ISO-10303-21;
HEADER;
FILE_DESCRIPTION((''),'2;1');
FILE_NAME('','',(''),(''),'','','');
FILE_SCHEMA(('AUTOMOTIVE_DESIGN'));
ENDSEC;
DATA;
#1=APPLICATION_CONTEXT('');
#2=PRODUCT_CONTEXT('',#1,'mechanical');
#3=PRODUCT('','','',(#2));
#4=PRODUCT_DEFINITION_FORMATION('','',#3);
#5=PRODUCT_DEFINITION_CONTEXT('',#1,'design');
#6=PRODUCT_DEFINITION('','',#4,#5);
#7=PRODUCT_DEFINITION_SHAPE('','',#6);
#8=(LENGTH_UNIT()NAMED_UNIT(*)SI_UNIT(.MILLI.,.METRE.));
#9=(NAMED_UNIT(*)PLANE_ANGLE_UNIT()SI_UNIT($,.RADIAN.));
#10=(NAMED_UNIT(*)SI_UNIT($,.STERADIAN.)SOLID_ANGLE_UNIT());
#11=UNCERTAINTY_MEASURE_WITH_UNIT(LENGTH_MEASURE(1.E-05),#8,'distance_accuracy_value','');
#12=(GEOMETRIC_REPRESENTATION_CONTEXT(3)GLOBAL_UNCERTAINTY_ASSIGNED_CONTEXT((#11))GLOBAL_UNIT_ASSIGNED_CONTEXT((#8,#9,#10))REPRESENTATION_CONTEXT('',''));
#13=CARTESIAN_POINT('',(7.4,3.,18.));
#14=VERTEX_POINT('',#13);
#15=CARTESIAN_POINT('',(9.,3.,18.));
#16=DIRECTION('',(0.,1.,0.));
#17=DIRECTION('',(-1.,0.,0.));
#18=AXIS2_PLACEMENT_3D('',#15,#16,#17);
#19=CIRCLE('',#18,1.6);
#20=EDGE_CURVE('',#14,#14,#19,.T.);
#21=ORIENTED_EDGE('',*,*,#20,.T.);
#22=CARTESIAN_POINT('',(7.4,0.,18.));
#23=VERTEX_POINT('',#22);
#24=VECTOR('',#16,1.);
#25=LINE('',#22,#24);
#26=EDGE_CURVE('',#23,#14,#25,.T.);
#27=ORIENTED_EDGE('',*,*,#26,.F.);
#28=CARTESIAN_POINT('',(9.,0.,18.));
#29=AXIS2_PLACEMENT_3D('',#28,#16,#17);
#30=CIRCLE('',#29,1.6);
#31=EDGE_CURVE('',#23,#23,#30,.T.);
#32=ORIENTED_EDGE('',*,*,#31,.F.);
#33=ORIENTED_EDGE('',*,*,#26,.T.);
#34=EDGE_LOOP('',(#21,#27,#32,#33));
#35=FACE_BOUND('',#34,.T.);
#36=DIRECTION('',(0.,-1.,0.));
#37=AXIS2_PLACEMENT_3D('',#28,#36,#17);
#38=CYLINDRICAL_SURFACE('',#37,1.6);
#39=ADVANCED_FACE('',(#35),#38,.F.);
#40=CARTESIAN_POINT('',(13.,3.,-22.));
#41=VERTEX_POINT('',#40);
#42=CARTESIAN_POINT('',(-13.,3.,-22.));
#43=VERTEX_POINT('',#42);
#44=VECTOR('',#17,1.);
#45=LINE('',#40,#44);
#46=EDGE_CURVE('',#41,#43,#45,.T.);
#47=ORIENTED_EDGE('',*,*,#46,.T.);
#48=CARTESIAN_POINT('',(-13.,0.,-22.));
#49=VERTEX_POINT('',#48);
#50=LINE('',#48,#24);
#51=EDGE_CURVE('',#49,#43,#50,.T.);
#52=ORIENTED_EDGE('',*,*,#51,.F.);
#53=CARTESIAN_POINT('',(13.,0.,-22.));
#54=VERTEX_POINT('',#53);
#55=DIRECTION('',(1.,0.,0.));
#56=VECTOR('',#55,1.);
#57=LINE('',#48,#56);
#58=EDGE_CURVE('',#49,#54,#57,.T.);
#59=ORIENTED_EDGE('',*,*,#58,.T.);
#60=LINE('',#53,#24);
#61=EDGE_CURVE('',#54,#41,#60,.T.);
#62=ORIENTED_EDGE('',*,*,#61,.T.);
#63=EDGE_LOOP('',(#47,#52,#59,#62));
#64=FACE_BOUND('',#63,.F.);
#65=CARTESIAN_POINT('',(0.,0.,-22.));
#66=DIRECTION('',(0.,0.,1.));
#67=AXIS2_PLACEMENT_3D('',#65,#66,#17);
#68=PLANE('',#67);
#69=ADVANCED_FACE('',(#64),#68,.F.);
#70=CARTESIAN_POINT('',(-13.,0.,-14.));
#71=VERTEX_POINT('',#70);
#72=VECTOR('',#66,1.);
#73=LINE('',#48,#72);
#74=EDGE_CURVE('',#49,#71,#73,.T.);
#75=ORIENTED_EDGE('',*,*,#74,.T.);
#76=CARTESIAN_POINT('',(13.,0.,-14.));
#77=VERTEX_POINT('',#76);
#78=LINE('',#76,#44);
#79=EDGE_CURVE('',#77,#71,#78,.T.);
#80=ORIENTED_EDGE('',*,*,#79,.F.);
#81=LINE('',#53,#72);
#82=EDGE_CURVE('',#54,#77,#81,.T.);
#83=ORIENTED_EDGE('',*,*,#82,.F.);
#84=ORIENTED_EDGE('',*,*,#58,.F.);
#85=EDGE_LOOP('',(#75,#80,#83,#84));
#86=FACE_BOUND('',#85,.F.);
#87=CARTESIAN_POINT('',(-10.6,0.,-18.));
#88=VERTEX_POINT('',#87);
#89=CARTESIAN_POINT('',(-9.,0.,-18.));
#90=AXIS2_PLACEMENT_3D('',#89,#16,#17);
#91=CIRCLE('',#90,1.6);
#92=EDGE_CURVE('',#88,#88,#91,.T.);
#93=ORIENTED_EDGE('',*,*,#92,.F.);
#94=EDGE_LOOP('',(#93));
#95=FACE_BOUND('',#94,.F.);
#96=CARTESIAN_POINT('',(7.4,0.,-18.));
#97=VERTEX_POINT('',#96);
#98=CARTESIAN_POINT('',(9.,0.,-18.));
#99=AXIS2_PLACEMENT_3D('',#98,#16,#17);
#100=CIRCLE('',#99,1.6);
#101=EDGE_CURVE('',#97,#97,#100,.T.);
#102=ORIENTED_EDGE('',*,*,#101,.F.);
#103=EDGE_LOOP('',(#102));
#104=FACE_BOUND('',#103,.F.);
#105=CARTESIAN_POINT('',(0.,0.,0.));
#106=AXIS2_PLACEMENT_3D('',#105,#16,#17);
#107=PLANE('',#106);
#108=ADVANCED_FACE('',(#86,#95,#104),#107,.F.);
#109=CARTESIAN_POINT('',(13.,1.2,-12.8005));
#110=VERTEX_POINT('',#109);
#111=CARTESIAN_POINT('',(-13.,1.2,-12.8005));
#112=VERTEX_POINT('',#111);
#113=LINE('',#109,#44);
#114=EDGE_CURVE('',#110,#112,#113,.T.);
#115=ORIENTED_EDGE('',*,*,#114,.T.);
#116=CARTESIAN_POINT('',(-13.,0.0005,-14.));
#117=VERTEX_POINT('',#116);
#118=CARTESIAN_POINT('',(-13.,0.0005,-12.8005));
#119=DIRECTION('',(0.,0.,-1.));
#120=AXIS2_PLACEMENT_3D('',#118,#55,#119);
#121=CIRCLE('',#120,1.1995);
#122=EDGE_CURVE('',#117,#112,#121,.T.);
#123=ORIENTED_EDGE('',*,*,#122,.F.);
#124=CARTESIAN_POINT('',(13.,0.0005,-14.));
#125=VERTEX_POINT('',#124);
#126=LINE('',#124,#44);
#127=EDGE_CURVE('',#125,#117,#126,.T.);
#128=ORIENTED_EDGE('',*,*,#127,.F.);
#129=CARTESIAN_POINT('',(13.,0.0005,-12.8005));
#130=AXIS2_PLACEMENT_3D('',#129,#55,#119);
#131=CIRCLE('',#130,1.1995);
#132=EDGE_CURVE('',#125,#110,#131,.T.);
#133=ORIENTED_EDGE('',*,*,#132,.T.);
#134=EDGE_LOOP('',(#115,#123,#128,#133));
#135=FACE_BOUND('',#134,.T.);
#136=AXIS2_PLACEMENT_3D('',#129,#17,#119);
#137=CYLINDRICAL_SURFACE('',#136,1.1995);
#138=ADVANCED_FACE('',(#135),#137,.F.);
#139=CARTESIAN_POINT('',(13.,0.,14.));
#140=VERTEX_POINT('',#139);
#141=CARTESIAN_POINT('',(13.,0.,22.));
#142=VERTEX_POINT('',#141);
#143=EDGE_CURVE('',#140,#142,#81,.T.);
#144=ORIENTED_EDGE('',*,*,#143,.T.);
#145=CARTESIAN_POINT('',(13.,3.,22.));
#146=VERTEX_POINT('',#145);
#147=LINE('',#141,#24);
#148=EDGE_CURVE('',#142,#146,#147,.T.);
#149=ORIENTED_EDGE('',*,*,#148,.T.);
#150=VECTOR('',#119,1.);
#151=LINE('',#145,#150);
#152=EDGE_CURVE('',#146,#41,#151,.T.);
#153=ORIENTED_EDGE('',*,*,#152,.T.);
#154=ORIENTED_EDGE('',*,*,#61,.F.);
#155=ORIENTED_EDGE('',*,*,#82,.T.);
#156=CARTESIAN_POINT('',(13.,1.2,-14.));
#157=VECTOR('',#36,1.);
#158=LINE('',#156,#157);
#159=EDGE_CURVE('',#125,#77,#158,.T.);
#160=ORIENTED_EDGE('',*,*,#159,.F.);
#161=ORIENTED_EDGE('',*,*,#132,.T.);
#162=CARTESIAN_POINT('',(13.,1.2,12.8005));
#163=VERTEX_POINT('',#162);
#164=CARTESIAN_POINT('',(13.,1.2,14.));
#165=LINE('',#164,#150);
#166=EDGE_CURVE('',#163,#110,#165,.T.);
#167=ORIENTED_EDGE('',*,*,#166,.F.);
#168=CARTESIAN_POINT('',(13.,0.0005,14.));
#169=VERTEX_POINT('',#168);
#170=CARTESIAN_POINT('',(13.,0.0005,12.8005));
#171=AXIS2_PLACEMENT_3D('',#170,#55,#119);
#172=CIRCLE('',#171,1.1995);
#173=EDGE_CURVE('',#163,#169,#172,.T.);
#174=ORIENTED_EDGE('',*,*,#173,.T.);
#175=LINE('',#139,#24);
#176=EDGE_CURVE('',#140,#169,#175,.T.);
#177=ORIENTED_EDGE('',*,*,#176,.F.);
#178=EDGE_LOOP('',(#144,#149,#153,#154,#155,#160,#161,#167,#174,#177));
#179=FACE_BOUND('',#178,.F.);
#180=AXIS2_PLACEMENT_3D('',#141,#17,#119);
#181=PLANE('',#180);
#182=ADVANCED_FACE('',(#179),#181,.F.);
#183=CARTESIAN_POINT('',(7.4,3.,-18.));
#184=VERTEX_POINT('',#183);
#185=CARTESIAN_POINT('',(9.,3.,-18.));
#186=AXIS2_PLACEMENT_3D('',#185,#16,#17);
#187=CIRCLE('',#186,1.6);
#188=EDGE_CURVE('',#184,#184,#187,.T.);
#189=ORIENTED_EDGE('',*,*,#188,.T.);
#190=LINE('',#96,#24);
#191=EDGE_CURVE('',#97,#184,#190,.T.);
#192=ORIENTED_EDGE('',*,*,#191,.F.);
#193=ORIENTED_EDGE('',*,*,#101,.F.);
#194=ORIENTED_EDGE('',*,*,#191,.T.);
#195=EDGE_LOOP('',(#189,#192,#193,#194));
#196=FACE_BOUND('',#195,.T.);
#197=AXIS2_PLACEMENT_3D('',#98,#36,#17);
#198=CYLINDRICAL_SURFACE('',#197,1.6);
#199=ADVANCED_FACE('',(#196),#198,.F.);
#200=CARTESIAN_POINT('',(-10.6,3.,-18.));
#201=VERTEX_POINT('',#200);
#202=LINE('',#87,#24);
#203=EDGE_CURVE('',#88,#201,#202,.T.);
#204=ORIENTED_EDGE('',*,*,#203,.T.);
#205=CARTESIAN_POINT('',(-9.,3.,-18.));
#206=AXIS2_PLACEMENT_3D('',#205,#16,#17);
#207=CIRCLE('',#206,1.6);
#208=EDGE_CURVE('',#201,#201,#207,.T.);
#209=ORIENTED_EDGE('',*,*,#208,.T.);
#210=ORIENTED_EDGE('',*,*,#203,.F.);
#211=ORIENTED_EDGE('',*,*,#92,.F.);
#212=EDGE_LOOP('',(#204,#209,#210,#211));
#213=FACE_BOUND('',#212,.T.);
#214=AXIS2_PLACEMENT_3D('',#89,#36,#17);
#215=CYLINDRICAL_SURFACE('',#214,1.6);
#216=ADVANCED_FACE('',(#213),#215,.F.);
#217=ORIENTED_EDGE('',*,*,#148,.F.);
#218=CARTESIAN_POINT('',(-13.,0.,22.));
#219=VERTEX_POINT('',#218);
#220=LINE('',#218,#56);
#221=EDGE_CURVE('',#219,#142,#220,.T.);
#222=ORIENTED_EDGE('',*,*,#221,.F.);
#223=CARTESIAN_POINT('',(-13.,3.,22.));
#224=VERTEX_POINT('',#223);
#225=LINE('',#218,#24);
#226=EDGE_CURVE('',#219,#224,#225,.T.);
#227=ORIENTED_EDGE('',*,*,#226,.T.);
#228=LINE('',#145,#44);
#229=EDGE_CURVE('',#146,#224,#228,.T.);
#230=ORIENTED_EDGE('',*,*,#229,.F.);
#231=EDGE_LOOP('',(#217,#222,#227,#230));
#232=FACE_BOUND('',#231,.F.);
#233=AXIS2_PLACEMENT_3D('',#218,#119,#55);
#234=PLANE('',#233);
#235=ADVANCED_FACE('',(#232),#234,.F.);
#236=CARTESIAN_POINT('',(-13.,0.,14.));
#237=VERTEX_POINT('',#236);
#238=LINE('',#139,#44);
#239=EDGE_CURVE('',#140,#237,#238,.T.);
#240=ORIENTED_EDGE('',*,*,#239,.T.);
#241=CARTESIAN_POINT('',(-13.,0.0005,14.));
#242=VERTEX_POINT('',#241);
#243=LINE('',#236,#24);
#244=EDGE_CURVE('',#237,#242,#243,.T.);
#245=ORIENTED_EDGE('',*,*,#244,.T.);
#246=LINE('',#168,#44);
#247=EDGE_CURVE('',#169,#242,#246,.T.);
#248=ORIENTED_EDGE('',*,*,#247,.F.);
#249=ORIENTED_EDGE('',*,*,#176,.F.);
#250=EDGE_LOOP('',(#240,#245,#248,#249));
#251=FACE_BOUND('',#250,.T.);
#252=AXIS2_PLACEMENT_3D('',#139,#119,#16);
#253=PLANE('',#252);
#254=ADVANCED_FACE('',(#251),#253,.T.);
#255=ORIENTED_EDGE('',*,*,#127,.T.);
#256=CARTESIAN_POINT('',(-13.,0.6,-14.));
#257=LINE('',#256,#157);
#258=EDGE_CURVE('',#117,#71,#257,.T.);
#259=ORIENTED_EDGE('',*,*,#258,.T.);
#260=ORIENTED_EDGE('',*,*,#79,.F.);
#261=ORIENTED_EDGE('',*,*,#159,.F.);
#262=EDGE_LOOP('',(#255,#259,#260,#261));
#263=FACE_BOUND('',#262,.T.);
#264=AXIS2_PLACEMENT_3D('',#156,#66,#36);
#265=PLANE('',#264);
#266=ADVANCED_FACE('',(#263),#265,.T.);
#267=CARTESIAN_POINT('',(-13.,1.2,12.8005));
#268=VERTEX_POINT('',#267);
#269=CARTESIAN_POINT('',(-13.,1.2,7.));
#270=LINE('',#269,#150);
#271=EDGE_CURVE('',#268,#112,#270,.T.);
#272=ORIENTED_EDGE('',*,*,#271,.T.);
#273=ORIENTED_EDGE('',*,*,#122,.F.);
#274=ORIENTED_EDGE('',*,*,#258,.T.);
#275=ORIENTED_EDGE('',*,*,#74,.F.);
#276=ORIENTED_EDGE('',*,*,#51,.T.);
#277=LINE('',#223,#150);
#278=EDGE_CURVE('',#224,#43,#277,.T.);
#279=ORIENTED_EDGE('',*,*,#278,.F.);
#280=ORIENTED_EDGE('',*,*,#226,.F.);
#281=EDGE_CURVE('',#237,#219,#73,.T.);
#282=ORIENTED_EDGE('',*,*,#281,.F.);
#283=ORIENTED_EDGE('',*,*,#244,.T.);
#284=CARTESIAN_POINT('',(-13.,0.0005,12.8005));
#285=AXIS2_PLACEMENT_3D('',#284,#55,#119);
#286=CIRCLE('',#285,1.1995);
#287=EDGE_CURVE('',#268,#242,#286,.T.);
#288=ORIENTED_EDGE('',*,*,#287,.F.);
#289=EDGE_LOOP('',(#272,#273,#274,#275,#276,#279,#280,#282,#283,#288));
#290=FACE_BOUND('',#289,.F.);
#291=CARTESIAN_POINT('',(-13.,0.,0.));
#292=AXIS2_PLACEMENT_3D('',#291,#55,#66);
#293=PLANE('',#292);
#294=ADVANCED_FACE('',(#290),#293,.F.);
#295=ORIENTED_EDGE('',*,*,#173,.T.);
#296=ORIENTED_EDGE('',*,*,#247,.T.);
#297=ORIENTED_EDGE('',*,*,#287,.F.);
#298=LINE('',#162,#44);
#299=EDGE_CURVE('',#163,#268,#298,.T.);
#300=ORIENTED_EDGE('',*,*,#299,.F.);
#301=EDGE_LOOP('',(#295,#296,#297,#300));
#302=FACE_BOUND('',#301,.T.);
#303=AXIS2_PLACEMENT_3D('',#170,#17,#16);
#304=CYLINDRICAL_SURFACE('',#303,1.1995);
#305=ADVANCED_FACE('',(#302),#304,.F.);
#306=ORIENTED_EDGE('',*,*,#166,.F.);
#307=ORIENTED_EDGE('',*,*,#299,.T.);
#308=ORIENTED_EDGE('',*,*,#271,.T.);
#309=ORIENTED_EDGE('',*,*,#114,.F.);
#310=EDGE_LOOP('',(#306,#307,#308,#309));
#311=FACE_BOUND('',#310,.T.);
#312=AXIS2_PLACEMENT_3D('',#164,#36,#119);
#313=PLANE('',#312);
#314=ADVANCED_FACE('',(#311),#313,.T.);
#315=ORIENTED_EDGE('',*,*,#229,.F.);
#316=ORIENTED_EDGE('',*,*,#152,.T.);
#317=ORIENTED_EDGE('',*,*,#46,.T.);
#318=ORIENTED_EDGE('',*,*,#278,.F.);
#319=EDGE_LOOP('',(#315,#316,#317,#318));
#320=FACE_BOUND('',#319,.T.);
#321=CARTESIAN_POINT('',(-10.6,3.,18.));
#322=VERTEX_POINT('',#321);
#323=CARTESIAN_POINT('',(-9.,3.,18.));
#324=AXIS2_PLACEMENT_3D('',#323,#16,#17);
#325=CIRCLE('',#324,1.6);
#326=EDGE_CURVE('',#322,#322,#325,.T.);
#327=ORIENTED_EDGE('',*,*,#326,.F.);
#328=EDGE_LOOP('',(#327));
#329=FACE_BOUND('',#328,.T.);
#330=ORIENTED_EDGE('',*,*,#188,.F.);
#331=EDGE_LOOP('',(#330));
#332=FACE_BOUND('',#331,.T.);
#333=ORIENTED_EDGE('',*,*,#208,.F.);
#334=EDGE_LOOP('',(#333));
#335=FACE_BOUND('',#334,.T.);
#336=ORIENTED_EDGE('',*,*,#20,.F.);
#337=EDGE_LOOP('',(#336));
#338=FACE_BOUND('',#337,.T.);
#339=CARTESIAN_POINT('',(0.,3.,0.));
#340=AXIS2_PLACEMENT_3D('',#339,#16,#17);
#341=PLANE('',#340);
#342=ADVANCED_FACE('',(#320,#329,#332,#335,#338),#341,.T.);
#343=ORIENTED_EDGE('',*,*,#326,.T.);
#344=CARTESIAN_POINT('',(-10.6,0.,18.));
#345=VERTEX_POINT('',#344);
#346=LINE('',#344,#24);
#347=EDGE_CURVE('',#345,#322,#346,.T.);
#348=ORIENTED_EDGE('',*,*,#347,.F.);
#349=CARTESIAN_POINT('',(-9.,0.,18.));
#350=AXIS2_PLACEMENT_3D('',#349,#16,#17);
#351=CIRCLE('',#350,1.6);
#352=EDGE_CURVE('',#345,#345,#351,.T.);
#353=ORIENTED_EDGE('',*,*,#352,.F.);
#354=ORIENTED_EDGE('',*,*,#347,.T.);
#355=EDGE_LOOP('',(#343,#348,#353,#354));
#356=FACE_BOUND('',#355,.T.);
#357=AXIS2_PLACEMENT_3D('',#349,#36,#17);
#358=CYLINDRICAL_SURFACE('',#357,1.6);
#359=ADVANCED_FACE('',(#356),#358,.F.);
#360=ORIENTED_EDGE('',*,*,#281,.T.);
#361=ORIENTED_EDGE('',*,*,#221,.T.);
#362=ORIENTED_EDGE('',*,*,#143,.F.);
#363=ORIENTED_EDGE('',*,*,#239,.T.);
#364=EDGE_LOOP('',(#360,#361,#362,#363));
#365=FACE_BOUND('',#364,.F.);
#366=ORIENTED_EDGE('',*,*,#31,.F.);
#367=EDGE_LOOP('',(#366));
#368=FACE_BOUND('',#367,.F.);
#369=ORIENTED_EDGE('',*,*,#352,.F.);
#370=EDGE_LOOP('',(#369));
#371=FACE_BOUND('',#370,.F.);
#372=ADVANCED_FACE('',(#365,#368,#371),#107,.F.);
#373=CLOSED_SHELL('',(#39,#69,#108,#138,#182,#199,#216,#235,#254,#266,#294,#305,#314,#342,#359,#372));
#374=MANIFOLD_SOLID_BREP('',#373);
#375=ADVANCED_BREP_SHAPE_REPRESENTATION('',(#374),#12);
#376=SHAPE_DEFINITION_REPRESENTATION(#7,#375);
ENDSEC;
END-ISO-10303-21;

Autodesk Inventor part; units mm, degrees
ref_plane "YZ Plane" through (0, 0, 0) normal (1, 0, 0) x (0, 1, 0)
ref_plane "XZ Plane" through (0, 0, 0) normal (0, 1, 0) x (-1, 0, 0)
ref_plane "XY Plane" through (0, 0, 0) normal (0, 0, 1) x (1, 0, 0)
sketch "Sketch1" plane through (0, 0, 0) normal (0, 1, 0) x (-1, 0, 0)
  circle A0 centre (9, 18) radius 1.6
  line L0 (0, 26.5631) -> (0, -32.5504)
  line L1 (19.3723, 0) -> (-25.4899, 0)
  circle A1 centre (9, -18) radius 1.6
  circle A2 centre (-9, 18) radius 1.6
  circle A3 centre (-9, -18) radius 1.6
  line L2 (13, 22) -> (-13, 22)
  line L3 (-13, 22) -> (-13, -22)
  line L4 (-13, -22) -> (13, -22)
  line L5 (13, -22) -> (13, 22)
  point P0 (0, 0)
  dimension "d0" = 3.2
  dimension "d3" = 36
  dimension "d6" = 18
  dimension "d9" = 4
  dimension "d10" = 4
extrude "Extrusion1" add sketch "Sketch1" along normal blind 3
sketch "Sketch2" plane through (13, 0, 22) normal (1, 0, 0) x (0, 0, -1)
  line L0 (0, 0) -> (44, 0) projected
  line L1 (44, 0) -> (44, 3) projected
  line L2 (0, 3) -> (44, 3) projected
  line L3 (0, 0) -> (0, 3) projected
  line L4 (0, 0) -> (44, 0) projected
  line L5 (8, 1.2) -> (36, 1.2)
  line L6 (36, 1.2) -> (36, 0)
  line L7 (36, 0) -> (8, 0)
  line L8 (8, 0) -> (8, 1.2)
  point P0 (22, 0)
  dimension "d13" = 1.2
  dimension "w" = 8
  dimension "d15" = 8
extrude "Extrusion2" cut sketch "Sketch2" against normal through all contours L8 L5 L6 L0
fillet "Fillet1" radius 1.2 2 edges at (0, 1.2, -14) (0, 1.2, 14)
equation "\"d15\" = w"
properties part number "piston-mount"
